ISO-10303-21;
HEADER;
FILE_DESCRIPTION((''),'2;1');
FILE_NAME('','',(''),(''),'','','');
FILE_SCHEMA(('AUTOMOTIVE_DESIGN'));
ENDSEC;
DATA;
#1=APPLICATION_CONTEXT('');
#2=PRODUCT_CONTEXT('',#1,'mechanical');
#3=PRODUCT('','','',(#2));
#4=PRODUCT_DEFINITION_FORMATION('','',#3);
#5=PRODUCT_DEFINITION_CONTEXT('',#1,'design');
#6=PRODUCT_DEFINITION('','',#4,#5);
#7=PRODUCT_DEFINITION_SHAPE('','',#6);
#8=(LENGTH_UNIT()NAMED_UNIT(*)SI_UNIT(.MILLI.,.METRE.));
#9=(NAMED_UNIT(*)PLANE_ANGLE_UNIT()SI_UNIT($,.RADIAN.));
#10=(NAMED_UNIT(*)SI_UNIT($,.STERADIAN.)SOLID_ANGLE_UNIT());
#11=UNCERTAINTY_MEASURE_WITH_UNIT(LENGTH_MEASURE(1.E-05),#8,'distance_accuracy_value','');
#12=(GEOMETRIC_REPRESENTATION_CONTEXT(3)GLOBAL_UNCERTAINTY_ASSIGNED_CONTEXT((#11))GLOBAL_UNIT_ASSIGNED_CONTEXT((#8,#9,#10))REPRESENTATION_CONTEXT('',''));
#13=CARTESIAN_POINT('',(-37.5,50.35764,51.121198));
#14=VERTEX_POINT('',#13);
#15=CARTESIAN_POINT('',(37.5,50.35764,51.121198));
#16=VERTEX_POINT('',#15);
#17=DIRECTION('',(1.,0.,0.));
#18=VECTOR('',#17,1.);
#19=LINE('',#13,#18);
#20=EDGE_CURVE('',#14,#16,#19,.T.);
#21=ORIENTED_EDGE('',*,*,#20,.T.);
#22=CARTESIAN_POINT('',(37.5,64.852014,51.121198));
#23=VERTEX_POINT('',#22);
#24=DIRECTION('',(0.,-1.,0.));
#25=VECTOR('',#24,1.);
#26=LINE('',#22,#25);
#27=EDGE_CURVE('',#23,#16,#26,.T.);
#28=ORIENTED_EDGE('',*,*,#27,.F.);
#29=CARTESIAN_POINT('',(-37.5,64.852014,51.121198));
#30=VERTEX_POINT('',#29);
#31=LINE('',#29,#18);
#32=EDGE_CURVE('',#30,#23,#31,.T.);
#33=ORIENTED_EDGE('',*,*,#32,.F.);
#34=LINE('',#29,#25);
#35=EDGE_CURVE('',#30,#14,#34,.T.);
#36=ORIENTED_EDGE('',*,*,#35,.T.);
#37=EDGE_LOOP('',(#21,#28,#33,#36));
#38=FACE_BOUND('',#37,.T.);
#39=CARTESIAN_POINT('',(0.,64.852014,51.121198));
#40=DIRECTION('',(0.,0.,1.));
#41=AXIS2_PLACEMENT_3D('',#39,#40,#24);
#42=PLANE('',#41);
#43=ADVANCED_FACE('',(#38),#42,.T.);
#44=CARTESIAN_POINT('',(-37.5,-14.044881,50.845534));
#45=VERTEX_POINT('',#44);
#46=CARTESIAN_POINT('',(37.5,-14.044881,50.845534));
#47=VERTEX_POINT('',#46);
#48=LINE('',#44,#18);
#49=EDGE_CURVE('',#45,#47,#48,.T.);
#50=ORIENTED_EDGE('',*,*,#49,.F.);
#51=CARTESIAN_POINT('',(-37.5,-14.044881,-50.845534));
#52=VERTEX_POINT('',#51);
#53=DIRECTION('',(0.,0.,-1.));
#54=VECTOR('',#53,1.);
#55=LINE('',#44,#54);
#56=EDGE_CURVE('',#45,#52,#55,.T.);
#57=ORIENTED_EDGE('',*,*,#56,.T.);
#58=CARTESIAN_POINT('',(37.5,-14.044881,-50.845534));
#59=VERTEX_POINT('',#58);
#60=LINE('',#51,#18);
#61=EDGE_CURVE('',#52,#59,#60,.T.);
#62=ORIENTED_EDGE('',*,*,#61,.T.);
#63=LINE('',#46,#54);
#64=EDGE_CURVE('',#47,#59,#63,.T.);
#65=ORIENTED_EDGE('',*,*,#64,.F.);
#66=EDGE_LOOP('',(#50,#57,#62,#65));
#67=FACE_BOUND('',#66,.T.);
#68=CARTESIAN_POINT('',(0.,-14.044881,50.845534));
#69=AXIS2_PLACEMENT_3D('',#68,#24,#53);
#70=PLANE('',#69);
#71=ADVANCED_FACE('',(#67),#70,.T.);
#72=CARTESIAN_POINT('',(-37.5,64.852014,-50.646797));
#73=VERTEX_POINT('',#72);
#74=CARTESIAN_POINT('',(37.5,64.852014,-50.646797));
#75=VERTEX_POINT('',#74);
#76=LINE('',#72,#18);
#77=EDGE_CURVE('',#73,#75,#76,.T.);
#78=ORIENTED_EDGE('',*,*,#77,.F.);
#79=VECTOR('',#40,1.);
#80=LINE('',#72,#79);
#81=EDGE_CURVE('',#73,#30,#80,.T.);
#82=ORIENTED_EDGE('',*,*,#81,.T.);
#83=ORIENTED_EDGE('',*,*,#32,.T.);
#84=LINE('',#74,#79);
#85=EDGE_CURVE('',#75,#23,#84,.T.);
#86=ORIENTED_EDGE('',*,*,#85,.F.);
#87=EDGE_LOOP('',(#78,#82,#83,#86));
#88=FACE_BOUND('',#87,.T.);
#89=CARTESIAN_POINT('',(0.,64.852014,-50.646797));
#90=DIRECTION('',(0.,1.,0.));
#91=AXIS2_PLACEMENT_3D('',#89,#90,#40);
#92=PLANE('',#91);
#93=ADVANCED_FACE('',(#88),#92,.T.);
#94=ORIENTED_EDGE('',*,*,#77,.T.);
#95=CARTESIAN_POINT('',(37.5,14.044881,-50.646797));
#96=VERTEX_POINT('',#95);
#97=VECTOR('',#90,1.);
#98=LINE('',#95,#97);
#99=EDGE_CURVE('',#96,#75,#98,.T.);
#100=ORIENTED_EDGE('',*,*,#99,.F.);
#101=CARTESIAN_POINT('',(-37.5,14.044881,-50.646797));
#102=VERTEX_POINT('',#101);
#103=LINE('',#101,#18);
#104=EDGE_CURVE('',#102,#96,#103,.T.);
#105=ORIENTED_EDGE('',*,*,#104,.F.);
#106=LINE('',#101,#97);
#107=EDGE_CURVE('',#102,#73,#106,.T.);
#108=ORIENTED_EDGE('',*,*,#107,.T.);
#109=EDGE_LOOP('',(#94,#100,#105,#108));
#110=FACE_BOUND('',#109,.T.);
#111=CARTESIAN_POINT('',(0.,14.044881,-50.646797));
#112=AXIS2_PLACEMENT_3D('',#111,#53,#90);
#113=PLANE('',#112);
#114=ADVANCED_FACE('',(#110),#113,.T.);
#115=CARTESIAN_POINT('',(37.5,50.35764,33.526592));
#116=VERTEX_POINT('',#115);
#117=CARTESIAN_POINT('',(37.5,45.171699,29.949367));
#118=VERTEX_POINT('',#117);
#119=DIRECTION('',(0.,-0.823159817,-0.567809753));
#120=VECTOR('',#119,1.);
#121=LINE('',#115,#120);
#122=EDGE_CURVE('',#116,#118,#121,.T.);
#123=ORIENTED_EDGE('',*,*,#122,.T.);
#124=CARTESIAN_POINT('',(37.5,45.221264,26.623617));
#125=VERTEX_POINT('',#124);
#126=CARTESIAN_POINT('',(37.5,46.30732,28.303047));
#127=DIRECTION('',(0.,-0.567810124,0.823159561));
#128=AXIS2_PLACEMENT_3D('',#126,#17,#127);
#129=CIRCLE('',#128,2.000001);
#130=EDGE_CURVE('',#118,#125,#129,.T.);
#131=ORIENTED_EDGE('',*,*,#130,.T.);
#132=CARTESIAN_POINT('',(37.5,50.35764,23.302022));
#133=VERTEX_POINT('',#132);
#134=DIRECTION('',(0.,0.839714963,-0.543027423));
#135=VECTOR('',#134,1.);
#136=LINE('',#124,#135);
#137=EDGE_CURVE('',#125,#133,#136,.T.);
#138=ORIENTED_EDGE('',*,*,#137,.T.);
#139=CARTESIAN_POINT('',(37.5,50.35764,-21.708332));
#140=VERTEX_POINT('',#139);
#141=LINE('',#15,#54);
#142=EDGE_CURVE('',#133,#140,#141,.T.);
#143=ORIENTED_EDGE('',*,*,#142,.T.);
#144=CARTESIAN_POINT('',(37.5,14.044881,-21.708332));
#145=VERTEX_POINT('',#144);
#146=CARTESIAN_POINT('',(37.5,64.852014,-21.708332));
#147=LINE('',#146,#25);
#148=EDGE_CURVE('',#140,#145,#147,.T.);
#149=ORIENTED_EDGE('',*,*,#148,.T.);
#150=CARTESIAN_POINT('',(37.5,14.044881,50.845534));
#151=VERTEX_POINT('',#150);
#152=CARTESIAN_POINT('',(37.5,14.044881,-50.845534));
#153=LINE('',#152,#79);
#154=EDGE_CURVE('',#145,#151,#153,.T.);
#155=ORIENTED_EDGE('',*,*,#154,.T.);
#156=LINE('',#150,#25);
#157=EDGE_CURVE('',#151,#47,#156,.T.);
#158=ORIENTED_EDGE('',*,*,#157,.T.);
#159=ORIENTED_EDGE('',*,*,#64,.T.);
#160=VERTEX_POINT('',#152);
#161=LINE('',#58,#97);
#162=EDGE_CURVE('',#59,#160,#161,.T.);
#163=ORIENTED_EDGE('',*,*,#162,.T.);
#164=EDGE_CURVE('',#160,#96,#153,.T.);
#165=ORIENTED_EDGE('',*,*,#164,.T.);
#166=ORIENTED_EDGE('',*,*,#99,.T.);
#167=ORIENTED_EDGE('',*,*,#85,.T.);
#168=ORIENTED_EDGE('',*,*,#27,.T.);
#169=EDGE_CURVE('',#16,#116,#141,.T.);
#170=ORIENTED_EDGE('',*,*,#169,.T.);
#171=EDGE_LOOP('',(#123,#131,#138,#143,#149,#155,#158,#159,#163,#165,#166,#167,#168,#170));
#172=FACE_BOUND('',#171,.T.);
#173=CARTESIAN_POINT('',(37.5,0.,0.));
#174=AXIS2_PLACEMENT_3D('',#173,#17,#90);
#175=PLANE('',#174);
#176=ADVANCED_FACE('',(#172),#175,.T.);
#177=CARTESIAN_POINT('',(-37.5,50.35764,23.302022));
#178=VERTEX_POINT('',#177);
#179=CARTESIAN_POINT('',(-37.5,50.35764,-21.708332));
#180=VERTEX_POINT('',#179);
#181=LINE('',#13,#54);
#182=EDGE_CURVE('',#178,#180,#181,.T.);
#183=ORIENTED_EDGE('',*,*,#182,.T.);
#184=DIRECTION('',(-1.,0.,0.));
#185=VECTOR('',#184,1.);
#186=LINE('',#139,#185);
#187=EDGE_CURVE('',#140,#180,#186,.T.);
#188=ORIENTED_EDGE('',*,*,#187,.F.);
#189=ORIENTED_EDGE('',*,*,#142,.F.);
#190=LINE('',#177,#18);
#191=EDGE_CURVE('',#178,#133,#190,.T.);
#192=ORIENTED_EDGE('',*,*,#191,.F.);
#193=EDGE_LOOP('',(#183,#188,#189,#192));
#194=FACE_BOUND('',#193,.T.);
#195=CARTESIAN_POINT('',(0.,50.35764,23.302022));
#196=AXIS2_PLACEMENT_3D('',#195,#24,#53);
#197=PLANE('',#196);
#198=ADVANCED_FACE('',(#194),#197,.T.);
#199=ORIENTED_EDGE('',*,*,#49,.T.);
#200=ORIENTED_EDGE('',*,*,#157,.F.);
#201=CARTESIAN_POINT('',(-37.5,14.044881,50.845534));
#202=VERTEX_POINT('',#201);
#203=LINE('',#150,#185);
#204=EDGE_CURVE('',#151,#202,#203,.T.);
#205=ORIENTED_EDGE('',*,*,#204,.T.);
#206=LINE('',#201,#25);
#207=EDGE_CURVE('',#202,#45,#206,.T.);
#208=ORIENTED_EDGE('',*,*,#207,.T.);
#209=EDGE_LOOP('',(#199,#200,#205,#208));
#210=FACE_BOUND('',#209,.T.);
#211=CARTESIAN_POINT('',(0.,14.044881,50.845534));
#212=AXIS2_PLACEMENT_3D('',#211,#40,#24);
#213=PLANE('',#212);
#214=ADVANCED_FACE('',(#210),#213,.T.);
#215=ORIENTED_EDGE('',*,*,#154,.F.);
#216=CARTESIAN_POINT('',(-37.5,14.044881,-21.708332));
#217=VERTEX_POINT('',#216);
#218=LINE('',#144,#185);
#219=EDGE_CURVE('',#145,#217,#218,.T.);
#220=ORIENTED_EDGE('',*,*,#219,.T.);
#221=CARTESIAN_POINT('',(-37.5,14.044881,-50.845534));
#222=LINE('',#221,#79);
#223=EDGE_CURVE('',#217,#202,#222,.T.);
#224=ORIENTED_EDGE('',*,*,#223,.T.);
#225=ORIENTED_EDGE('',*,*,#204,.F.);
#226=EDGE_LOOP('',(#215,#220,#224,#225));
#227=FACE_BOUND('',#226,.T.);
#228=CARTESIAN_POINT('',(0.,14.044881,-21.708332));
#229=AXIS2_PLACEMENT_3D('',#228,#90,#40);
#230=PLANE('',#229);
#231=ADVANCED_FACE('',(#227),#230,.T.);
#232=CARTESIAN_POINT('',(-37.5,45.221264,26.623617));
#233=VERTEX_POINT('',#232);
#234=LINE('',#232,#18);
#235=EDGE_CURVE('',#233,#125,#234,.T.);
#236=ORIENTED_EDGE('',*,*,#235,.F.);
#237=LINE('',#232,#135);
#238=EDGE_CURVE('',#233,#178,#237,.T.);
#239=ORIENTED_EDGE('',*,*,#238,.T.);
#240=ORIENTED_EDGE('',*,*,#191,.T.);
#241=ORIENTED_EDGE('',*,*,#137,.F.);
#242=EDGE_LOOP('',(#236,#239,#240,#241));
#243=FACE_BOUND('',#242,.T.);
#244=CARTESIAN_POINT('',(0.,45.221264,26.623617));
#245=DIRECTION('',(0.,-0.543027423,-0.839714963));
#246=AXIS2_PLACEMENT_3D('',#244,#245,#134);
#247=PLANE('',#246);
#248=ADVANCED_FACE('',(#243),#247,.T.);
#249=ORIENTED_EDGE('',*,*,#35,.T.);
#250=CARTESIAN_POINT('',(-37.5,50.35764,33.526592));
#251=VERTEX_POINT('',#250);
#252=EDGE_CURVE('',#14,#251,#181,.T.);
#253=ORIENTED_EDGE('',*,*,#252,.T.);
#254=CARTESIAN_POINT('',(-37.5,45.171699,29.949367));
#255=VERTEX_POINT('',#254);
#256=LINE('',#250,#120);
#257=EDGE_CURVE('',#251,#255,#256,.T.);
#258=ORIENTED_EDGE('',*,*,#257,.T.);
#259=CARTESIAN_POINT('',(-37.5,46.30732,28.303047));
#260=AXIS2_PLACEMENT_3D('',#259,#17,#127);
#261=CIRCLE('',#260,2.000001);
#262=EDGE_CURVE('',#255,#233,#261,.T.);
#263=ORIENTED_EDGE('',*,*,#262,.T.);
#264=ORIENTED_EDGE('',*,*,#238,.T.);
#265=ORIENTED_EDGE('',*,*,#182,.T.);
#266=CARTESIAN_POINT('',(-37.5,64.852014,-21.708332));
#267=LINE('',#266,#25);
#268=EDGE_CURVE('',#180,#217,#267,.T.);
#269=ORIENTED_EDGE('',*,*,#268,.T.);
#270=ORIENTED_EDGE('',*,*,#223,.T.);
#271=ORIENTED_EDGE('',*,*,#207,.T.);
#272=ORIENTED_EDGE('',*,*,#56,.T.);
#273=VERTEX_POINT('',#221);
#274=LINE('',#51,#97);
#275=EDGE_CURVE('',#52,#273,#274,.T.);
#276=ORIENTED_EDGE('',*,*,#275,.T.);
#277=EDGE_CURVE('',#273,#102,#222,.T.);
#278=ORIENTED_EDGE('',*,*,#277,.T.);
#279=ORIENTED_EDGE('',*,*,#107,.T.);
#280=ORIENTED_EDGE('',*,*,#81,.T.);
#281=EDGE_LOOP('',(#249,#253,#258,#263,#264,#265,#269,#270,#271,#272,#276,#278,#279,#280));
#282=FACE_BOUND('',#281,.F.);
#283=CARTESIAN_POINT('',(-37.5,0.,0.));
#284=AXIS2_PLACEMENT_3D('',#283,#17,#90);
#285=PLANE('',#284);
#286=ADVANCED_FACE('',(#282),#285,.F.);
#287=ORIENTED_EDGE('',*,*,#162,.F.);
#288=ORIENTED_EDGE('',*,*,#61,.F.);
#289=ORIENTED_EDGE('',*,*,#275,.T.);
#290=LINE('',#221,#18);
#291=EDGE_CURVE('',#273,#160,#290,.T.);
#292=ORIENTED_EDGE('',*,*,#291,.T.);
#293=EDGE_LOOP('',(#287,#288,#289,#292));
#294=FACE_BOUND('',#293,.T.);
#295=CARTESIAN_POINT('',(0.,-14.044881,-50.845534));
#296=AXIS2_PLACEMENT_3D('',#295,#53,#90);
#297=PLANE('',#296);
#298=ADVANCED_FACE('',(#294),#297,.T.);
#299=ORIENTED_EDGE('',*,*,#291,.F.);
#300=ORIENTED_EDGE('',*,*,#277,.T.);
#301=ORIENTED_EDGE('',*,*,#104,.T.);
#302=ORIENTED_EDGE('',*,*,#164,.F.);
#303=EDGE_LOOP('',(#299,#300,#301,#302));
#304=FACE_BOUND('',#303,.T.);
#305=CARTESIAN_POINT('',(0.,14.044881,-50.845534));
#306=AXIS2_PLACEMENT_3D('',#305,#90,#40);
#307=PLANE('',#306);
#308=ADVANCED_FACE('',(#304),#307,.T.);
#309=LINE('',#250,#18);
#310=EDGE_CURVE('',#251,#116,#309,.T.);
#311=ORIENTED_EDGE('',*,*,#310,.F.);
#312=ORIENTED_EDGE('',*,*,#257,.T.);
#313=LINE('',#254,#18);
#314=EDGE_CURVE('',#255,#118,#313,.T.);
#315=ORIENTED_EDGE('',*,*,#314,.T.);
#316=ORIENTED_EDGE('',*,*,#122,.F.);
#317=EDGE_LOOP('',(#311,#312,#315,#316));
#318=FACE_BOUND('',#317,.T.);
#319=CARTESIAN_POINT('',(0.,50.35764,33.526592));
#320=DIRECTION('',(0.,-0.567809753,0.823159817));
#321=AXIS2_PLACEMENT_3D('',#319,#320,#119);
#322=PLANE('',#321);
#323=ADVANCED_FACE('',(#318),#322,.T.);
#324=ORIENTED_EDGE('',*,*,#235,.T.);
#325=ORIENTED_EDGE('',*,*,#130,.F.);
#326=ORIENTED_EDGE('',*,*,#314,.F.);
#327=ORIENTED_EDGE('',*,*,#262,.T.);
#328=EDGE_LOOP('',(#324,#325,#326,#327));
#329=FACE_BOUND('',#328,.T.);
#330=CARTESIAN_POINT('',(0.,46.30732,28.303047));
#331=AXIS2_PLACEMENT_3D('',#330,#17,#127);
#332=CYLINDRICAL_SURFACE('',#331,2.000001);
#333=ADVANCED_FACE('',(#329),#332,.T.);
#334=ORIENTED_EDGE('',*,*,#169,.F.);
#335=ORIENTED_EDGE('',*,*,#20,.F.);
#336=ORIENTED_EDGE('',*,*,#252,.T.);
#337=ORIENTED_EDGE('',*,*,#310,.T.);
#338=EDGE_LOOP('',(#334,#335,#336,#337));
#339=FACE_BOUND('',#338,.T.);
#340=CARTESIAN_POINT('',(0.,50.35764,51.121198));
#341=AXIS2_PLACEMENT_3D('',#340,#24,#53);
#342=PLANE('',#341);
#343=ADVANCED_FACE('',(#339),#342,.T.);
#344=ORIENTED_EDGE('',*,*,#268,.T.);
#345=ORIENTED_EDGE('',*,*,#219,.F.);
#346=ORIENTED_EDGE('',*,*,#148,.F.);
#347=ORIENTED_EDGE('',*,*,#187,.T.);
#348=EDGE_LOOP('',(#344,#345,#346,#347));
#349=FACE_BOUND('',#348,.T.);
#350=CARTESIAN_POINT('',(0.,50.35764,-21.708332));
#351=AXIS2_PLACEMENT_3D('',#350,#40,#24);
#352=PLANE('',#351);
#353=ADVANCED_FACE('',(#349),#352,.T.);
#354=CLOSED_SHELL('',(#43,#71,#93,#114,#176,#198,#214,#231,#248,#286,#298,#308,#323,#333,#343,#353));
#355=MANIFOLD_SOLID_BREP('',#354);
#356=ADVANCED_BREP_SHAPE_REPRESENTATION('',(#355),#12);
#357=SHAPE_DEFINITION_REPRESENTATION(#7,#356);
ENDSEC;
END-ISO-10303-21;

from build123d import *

# Parameters (mm, degrees)
F1_DEPTH = 37.5


with BuildPart() as f1:
    # F0 (on Right) → F1 (new body, symmetric)
    with BuildSketch(Plane.YZ):
        Polygon((14.044881, -21.708332), (14.044881, 50.845534), (-14.044881, 50.845534), (-14.044881, -50.845534), (14.044881, -50.845534), (14.044881, -50.646797), align=None)
        Polygon((50.35764, -21.708332), (14.044881, -21.708332), (14.044881, -50.646797), (64.852014, -50.646797), (64.852014, -21.708332), align=None)
        Polygon((50.35764, 23.302022), (50.35764, -21.708332), (64.852014, -21.708332), (64.852014, 51.121198), (50.35764, 51.121198), (50.35764, 33.526592), align=None)
        with BuildLine():
            Line((45.221264, 26.623617), (50.35764, 23.302022))
            Line((50.35764, 23.302022), (50.35764, 33.526592))
            Line((50.35764, 33.526592), (45.171699, 29.949367))
            ThreePointArc((45.171699, 29.949367), (44.307541, 28.273244), (45.221264, 26.623617))
        make_face()
    extrude(amount=F1_DEPTH, both=True)


solid = f1.part
